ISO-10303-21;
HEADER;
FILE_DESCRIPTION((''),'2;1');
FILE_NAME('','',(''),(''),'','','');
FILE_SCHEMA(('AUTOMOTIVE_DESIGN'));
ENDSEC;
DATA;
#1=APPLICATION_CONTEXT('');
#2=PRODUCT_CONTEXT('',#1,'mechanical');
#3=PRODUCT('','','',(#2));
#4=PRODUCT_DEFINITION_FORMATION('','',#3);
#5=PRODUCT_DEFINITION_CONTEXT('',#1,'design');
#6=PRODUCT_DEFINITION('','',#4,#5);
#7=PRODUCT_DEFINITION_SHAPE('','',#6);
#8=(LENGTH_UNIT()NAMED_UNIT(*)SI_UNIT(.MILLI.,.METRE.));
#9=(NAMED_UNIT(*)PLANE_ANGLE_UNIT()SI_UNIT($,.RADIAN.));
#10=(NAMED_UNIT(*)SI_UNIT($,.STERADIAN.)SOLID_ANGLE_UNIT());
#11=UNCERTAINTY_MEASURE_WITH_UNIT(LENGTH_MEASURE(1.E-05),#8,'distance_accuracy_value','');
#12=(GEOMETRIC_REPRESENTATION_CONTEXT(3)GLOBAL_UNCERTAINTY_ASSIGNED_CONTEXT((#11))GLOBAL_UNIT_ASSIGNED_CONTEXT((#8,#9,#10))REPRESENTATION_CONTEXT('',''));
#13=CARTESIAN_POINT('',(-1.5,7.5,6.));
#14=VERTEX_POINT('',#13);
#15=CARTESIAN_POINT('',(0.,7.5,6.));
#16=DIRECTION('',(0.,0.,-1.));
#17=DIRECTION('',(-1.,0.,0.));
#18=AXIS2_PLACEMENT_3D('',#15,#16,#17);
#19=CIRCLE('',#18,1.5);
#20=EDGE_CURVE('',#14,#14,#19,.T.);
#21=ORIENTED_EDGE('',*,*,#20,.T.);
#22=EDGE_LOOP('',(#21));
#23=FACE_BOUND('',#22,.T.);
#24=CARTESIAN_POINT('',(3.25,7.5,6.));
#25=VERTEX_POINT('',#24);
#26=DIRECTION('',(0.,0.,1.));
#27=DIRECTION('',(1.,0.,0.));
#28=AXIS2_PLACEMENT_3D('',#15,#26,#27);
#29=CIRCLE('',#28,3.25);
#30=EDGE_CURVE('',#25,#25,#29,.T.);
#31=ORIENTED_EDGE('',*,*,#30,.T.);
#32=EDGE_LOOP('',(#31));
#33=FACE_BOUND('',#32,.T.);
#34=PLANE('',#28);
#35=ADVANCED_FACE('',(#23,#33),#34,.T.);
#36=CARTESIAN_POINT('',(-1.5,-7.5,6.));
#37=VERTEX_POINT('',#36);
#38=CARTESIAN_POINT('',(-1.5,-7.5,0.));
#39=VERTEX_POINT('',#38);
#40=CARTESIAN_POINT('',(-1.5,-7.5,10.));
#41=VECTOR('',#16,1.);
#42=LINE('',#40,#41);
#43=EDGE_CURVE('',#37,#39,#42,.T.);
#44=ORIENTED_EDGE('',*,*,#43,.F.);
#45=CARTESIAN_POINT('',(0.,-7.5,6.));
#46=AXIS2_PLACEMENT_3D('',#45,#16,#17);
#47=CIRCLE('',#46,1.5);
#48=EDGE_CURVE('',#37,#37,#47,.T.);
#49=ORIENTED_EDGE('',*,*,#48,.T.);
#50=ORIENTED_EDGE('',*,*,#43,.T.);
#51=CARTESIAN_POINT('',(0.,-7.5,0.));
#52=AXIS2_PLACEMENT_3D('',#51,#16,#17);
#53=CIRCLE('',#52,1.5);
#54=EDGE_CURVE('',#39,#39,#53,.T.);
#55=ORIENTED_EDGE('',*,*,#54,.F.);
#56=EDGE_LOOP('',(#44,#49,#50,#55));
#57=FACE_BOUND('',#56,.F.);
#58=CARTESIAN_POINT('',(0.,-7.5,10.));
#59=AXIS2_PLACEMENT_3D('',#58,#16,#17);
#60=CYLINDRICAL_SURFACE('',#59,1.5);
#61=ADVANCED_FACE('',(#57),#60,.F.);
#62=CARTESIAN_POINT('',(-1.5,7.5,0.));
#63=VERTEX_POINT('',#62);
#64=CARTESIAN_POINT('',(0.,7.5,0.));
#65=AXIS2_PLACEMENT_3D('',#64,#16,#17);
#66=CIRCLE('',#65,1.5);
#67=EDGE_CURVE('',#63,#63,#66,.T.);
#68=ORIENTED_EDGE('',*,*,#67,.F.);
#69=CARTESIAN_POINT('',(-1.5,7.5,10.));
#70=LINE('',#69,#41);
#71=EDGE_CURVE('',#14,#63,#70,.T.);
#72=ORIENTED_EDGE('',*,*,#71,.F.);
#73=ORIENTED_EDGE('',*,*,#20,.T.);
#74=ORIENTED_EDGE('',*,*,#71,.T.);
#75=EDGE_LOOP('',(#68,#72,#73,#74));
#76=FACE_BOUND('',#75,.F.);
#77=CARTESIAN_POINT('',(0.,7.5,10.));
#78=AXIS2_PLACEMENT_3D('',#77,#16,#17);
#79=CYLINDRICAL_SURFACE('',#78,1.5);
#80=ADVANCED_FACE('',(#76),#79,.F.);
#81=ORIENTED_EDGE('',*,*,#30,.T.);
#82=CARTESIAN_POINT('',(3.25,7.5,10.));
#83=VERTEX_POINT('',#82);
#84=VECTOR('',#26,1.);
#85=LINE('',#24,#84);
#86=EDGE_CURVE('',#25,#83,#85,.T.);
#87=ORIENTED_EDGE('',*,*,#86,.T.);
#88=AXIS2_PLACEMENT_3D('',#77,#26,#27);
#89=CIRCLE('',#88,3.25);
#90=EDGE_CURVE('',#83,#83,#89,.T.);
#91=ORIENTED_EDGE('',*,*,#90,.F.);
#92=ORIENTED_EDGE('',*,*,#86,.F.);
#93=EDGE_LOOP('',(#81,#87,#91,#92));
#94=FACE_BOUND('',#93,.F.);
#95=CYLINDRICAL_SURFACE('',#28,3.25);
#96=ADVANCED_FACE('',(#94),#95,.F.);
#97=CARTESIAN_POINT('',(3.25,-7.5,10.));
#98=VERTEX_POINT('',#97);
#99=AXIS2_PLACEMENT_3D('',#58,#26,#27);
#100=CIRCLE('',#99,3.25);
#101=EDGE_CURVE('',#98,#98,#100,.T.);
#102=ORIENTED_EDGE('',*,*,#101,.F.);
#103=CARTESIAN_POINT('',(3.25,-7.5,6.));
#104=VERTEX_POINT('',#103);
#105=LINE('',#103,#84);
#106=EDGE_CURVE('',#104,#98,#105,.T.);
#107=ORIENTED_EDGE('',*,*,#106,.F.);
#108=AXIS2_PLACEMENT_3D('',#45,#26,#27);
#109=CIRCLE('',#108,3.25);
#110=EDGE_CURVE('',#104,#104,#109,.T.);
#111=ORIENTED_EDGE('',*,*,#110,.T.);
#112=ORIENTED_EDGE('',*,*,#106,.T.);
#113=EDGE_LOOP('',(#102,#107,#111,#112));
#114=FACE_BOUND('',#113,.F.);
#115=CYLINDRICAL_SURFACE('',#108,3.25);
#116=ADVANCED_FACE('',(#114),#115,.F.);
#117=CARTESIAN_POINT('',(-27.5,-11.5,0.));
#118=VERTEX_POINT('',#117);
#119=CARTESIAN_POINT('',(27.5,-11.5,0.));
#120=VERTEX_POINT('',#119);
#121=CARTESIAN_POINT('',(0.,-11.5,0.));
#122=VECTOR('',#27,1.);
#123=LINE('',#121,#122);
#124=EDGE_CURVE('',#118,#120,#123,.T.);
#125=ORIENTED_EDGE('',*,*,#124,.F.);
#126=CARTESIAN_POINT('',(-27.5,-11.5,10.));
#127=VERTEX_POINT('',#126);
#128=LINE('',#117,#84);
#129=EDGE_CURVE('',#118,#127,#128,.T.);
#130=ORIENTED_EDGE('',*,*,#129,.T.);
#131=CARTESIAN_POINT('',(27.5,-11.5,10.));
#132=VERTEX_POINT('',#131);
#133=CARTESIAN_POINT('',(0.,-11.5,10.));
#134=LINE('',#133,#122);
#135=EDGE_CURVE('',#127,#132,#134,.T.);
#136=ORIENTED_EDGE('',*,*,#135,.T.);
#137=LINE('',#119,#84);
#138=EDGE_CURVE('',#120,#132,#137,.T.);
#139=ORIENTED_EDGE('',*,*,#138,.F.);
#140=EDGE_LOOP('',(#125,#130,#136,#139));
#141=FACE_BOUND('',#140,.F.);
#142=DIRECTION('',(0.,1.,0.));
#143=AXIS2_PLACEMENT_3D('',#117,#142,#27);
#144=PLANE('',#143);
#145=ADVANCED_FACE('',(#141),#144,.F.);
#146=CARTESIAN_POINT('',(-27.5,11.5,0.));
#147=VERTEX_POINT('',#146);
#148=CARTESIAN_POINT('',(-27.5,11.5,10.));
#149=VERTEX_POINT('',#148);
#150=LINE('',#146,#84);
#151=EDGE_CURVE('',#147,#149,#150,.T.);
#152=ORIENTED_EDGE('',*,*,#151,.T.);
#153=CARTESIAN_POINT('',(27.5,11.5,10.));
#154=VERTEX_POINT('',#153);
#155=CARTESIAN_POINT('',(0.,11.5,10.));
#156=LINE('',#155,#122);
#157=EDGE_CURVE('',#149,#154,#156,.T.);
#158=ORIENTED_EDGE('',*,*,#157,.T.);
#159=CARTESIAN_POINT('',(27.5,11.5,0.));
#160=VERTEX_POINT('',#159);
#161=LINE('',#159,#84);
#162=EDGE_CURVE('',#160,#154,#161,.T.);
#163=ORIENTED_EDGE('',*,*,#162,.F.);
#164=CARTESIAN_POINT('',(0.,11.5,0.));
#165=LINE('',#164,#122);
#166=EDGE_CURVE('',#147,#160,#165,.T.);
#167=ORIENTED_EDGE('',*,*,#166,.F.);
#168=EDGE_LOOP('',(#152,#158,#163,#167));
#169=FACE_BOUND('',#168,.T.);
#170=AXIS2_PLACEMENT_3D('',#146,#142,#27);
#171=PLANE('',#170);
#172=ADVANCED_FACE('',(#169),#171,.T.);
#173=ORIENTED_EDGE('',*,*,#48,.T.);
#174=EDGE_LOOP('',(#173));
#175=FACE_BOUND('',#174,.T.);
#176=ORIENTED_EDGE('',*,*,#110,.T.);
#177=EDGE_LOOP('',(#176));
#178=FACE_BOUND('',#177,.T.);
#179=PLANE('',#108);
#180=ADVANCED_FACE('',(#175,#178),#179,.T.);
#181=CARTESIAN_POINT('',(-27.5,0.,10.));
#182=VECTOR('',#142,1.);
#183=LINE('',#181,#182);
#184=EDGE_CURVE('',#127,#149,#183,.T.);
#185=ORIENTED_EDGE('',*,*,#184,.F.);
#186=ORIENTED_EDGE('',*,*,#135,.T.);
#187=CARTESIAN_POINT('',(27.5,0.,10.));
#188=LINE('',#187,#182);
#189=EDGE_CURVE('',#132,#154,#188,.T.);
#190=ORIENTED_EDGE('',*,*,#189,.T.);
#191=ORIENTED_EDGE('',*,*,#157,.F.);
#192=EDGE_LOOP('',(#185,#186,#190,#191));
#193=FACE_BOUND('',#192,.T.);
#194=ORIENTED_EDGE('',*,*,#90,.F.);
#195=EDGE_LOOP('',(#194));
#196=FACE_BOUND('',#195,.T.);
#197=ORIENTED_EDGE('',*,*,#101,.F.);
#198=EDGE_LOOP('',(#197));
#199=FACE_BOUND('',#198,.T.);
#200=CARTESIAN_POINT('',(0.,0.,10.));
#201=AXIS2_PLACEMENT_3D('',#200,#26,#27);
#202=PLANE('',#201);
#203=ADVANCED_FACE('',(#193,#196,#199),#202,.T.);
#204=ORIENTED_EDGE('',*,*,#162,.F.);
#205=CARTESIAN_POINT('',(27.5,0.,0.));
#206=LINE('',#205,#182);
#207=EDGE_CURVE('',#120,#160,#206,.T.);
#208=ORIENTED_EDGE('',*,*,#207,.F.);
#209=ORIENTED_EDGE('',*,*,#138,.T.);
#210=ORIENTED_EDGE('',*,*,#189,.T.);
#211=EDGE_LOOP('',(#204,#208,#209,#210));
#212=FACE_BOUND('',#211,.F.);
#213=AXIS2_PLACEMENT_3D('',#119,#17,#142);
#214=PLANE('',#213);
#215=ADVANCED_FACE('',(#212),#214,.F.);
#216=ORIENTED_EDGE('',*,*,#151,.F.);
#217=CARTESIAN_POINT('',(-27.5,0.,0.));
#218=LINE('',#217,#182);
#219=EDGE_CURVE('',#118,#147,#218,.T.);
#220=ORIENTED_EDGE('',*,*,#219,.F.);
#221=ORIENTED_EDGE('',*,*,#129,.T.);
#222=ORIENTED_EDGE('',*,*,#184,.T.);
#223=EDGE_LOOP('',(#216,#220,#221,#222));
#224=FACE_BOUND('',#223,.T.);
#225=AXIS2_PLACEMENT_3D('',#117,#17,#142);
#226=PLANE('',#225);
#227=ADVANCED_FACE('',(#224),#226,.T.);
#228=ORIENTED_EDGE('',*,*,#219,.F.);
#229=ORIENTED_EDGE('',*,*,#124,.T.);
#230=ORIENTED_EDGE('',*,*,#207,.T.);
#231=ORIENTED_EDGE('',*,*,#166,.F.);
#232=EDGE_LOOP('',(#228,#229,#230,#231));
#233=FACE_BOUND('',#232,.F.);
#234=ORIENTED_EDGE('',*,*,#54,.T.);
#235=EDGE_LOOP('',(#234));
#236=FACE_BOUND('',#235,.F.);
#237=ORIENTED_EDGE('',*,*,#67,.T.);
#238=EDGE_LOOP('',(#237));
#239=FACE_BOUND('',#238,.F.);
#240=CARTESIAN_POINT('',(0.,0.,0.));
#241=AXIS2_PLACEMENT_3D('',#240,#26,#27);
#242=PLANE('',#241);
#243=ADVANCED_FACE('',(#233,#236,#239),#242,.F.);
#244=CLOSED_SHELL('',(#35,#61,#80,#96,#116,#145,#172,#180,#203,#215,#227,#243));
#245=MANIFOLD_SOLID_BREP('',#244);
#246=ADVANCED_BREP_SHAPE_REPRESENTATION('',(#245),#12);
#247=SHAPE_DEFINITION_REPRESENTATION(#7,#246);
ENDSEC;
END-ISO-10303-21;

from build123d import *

# Parameters (mm, degrees)
F0_W           = 55
F0_H           = 23
F1_DEPTH       = 10
F3_D           = 3
F3_CBORE_D     = 6.5
F3_CBORE_DEPTH = 4


with BuildPart() as f1:
    # F0 (on Top) → F1 (new body)
    with BuildSketch(Plane.XY):
        Rectangle(F0_W, F0_H)
    extrude(amount=F1_DEPTH)

    # F3 (through all)
    with Locations(Plane.XY.offset(10)):
        with Locations((0, 7.5), (0, -7.5)):
            CounterBoreHole(F3_D / 2, F3_CBORE_D / 2, F3_CBORE_DEPTH)


solid = f1.part
